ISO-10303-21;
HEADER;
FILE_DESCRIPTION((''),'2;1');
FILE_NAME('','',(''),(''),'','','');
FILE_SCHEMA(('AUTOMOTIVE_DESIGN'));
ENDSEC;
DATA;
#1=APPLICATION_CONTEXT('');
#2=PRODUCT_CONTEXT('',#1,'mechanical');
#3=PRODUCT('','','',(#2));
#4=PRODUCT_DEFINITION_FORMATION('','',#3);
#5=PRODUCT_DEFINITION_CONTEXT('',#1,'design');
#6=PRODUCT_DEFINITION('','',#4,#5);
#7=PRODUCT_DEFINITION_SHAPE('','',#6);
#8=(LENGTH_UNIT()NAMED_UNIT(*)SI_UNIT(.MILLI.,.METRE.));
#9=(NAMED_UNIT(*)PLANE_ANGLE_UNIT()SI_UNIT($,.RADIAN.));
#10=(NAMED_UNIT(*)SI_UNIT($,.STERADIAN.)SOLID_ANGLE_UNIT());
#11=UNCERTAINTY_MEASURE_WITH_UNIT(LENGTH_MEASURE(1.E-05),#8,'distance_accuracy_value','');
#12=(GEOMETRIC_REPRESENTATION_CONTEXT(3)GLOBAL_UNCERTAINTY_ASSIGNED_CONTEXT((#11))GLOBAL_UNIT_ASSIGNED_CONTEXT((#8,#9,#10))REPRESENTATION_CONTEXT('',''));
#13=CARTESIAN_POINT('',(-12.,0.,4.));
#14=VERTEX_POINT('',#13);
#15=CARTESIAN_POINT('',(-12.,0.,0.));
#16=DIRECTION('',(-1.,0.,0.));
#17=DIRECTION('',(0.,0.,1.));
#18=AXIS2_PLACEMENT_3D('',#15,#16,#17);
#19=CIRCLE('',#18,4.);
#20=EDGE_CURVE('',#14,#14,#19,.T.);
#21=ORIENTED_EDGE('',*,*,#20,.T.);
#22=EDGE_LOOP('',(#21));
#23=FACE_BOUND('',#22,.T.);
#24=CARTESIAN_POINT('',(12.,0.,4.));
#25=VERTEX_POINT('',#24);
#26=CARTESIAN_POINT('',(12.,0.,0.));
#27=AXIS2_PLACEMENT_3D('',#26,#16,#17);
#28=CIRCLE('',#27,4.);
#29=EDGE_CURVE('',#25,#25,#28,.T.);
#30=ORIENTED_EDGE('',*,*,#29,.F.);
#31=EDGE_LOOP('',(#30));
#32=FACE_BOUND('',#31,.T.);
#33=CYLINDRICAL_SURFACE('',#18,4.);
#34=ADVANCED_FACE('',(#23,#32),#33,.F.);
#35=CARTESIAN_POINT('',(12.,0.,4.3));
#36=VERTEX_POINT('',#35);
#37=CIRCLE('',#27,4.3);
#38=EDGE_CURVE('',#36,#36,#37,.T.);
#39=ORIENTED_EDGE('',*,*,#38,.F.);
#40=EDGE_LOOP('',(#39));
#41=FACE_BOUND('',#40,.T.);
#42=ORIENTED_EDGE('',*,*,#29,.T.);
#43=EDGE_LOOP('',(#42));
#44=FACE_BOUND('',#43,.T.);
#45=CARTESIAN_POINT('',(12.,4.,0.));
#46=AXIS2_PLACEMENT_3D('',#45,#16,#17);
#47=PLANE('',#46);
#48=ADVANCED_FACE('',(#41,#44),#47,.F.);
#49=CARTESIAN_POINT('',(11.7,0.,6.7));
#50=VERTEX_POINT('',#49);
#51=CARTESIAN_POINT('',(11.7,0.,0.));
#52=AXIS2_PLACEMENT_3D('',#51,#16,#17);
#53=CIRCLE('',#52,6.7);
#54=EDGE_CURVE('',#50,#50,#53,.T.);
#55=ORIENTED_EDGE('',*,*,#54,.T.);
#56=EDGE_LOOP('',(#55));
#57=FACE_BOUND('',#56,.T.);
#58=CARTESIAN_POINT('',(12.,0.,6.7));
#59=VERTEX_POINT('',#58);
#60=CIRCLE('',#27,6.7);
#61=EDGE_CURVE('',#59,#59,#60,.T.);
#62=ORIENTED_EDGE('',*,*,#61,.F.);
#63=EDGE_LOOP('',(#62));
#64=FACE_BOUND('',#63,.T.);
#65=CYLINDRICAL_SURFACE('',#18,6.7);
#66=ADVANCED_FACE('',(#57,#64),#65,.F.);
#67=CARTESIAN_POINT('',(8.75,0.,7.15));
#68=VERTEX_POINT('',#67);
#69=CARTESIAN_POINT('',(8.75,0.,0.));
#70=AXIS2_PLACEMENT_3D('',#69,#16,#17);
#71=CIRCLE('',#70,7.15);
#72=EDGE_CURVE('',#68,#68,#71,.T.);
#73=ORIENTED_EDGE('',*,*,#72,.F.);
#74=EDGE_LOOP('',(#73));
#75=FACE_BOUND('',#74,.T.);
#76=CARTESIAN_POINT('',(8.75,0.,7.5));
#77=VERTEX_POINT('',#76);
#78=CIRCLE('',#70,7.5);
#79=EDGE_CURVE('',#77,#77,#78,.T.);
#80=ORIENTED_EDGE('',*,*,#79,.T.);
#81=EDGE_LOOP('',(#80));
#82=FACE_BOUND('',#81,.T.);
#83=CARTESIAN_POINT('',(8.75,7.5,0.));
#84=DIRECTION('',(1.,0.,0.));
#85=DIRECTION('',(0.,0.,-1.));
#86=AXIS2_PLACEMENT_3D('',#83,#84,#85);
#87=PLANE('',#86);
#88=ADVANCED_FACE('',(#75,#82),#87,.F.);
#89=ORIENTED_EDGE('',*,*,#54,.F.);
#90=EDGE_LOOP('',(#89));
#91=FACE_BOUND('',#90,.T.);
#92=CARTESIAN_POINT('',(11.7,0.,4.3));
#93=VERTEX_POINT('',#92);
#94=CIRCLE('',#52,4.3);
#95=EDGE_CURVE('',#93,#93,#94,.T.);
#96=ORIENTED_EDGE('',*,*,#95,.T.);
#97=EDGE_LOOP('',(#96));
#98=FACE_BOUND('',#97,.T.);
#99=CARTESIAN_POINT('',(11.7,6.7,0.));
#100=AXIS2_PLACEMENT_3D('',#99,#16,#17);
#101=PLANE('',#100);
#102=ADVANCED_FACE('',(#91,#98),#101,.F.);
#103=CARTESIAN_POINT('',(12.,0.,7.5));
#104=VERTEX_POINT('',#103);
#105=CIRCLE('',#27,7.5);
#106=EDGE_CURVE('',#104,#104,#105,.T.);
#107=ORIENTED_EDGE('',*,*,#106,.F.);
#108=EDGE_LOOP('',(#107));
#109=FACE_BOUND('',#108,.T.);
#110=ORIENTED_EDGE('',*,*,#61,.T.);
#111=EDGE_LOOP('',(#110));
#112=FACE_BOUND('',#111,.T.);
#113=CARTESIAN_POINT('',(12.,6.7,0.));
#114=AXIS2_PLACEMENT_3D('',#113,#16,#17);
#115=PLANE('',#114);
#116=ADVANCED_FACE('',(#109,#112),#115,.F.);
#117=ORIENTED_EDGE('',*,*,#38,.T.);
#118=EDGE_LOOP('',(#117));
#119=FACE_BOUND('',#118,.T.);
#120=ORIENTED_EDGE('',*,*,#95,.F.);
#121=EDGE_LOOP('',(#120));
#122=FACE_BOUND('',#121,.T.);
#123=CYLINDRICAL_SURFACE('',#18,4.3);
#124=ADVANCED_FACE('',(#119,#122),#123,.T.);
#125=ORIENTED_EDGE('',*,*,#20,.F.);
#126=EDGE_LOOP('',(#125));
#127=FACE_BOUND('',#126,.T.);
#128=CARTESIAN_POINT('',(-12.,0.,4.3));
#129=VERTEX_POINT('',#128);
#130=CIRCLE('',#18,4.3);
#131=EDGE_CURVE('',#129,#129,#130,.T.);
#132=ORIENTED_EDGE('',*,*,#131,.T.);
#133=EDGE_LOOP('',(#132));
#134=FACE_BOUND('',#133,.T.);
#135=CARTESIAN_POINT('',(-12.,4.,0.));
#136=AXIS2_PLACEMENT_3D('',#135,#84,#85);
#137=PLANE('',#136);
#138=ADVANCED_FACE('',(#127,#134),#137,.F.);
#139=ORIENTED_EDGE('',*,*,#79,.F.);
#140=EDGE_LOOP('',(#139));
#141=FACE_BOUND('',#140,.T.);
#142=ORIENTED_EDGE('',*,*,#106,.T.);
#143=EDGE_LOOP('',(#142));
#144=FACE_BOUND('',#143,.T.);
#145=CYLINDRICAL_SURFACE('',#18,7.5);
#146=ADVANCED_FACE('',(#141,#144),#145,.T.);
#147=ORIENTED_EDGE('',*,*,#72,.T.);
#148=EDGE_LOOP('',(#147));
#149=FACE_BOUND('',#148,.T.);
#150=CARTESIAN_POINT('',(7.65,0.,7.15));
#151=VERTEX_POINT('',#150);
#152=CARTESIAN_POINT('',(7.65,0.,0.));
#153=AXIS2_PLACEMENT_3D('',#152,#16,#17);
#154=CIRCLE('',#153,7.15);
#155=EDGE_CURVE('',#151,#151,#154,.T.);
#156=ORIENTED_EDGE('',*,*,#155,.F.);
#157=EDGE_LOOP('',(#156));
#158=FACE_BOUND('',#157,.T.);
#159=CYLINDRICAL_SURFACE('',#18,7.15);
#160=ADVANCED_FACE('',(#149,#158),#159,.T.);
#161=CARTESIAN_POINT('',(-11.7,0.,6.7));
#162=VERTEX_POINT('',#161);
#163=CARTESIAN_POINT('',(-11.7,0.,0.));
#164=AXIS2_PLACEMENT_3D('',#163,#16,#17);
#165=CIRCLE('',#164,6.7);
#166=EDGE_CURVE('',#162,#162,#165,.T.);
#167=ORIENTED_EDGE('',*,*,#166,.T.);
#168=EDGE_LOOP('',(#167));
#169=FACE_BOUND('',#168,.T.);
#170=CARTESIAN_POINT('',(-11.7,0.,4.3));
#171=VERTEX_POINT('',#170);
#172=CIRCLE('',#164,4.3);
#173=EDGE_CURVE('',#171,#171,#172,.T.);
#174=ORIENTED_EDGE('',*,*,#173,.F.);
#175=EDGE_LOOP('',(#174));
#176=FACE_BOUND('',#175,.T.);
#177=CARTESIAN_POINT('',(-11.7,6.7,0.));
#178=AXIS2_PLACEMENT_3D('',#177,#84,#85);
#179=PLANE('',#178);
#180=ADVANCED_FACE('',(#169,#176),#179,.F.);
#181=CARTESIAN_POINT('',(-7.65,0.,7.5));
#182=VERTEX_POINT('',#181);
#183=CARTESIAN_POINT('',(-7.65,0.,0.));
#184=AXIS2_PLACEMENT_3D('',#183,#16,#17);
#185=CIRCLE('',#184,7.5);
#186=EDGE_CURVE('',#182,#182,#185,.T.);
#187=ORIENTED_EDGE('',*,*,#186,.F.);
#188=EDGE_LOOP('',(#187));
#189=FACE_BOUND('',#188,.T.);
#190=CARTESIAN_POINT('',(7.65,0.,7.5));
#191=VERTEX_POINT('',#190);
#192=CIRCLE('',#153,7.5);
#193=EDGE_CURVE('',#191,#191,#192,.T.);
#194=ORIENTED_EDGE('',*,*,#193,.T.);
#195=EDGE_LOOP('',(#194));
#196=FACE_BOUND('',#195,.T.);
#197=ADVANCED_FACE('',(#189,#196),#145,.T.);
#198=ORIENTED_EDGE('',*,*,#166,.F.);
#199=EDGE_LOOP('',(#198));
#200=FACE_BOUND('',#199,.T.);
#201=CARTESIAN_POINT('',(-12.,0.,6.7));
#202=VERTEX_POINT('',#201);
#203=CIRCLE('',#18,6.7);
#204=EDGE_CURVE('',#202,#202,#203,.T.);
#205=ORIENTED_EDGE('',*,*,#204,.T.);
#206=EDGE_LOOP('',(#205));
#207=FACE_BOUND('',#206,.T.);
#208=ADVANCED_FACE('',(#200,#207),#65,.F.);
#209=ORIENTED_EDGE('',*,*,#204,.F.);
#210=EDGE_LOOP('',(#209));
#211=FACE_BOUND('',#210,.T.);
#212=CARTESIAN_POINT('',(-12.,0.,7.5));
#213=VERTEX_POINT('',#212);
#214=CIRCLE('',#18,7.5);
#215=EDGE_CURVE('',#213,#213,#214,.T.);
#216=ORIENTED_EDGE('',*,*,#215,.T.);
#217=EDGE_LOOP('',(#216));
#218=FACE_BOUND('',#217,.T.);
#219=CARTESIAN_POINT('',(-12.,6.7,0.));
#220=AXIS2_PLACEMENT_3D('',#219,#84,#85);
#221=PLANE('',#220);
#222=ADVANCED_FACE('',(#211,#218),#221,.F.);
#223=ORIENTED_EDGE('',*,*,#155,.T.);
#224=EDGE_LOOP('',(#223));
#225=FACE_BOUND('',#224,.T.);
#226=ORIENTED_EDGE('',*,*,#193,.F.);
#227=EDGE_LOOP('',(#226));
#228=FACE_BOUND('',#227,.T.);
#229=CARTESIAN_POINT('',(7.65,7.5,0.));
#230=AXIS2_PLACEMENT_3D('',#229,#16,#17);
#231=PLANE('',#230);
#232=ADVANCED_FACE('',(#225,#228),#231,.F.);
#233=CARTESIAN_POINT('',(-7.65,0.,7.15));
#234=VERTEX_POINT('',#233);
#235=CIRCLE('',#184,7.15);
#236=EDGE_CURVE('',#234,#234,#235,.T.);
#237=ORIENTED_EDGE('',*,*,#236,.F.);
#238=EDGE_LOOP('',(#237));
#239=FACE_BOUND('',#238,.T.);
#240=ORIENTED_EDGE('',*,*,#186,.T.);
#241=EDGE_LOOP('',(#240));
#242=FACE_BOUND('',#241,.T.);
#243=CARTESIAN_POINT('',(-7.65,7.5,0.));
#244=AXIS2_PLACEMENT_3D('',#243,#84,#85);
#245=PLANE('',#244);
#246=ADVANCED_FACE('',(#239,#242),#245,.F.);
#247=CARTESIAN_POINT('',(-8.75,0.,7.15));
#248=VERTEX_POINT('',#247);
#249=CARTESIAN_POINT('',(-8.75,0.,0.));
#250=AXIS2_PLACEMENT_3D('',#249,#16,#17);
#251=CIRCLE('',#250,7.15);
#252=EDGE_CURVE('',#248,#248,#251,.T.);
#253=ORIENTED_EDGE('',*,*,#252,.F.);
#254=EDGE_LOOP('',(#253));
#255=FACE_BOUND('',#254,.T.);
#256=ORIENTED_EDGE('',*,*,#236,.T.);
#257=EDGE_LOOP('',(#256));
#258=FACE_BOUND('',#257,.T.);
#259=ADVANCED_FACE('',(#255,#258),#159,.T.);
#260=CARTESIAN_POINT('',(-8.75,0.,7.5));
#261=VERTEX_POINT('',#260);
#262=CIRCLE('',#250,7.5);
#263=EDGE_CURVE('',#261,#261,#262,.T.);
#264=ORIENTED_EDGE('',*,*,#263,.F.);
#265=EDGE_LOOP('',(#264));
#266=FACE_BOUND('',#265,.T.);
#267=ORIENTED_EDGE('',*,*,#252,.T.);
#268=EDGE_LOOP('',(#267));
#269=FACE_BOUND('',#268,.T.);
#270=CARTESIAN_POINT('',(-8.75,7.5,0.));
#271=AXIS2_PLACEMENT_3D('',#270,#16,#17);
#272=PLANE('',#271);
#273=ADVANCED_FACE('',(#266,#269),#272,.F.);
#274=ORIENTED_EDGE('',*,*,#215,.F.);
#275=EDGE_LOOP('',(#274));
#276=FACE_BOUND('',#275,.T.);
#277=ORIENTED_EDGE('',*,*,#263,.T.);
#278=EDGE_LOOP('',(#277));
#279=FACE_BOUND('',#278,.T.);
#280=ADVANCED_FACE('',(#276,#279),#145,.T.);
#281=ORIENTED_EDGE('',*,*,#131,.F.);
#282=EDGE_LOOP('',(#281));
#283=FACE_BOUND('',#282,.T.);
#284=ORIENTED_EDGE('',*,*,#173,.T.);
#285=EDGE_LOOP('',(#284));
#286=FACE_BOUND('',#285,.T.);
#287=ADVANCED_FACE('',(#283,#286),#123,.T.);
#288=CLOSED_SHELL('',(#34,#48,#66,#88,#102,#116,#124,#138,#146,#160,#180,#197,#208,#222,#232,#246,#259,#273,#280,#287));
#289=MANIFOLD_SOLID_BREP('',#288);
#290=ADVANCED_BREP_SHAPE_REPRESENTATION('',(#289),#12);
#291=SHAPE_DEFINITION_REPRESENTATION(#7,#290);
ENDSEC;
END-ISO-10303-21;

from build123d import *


with BuildPart() as part:
    # Sketch1 → Revolve1 (revolve)
    with BuildSketch(Plane.XY, mode=Mode.PRIVATE) as revolve1_sk:
        Polygon((-12, 4), (12, 4), (12, 4.3), (11.7, 4.3), (11.7, 6.7), (12, 6.7), (12, 7.5), (8.75, 7.5), (8.75, 7.15), (7.65, 7.15), (7.65, 7.5), (-7.65, 7.5), (-7.65, 7.15), (-8.75, 7.15), (-8.75, 7.5), (-12, 7.5), (-12, 6.7), (-11.7, 6.7), (-11.7, 4.3), (-12, 4.3), align=None)
    revolve(revolve1_sk.sketch.rotate(Axis((-12, 0, 0), (1, 0, 0)), 90), axis=Axis((-12, 0, 0), (1, 0, 0)))


solid = part.part
